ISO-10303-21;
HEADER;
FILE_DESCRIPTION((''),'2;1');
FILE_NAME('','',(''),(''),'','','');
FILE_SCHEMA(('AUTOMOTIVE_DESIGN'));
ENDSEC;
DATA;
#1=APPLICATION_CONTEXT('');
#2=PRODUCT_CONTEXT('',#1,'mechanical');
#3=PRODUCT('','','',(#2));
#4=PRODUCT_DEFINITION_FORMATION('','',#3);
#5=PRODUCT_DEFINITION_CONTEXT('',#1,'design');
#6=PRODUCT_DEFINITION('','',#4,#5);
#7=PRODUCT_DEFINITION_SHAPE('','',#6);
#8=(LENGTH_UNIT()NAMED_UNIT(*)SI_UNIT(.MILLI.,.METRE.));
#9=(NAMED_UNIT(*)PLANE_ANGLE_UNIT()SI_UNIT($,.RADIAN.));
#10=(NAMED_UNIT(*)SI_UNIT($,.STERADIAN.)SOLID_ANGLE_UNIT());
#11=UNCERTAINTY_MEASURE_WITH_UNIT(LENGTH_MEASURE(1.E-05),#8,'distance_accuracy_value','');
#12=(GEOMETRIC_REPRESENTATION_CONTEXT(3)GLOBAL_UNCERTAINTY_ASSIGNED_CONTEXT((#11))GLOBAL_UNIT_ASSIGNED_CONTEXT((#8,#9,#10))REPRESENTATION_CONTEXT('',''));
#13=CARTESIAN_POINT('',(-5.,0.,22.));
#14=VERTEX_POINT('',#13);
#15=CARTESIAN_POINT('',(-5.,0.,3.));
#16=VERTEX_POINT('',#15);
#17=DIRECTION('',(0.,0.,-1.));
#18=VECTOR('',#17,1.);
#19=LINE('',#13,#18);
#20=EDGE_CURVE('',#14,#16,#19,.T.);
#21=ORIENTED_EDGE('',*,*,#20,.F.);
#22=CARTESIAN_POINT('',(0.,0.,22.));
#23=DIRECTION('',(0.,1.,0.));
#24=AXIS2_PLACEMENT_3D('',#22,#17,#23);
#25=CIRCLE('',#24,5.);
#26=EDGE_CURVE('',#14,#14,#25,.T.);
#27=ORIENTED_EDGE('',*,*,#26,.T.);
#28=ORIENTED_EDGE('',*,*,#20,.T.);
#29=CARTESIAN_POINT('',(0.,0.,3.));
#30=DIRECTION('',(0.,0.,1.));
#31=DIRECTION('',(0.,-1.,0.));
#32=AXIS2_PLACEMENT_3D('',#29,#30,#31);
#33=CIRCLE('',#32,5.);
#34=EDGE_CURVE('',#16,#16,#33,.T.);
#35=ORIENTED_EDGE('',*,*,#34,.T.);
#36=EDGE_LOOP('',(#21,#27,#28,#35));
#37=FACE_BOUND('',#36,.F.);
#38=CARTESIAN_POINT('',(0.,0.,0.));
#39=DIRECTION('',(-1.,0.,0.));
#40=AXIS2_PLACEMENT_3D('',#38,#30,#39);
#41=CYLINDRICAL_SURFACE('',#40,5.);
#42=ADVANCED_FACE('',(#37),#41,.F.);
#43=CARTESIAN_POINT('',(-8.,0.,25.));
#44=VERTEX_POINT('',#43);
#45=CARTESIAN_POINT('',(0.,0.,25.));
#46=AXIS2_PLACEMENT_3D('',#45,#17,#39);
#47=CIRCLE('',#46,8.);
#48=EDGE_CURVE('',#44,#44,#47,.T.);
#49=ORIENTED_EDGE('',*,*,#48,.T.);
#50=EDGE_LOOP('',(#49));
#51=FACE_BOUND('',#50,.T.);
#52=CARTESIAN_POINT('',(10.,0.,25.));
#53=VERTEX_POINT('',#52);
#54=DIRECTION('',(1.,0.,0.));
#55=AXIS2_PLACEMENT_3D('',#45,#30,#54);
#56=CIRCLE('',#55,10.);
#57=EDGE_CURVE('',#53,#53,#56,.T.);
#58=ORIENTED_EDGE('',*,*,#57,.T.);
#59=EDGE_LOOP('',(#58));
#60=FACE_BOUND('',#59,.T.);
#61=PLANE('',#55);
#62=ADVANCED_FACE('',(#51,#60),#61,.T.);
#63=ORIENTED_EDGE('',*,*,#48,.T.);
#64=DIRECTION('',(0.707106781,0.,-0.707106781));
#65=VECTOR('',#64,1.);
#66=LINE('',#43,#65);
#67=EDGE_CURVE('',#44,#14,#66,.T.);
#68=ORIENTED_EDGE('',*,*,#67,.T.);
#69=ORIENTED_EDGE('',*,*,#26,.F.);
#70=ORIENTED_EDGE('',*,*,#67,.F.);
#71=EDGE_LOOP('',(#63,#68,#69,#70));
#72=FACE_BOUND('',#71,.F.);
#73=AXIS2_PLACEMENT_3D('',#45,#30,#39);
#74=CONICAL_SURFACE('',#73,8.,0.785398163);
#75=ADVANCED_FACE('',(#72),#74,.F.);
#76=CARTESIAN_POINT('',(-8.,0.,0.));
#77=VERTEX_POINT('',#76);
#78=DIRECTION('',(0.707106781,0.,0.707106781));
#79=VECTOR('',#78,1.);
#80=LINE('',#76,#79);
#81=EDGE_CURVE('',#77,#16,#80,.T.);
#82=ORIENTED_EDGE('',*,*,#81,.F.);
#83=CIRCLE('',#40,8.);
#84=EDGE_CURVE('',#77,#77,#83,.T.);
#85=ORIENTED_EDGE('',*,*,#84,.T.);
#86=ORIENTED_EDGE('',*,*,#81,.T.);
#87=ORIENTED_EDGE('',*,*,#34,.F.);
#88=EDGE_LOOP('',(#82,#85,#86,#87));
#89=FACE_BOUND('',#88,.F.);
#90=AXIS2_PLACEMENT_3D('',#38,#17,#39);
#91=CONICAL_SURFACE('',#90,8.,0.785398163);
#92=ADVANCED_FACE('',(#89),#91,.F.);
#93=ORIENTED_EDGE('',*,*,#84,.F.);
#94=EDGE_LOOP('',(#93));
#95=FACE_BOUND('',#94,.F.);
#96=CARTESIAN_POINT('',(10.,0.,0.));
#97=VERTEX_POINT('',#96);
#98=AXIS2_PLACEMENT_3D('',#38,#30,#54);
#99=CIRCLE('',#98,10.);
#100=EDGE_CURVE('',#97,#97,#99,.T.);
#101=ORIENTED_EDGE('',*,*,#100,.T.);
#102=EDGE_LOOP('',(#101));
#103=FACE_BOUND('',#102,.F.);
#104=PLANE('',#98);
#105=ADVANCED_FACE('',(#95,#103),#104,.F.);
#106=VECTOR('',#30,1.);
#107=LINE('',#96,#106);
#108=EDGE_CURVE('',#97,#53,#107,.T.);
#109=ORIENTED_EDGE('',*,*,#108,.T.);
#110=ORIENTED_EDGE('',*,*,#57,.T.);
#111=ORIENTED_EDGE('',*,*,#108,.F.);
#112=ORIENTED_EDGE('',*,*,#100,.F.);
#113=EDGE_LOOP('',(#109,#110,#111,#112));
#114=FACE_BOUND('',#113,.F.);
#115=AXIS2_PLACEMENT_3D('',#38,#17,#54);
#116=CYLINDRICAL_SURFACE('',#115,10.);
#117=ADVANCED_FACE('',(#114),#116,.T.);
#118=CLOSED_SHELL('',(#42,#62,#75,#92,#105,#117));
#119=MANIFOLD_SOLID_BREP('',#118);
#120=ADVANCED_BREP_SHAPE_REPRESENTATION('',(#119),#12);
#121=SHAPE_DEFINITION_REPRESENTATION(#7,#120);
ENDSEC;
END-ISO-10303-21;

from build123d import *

# Parameters (mm, degrees)
F0_R           = 10
F1_DEPTH       = 25
F3_D           = 10
F3_DEPTH       = 15
F3_CSINK_D     = 16
F3_CSINK_ANGLE = 90
F5_D           = 10
F5_DEPTH       = 15
F5_CSINK_D     = 16
F5_CSINK_ANGLE = 90


with BuildPart() as f1:
    # F0 (on Top) → F1 (new body)
    with BuildSketch(Plane.XY):
        Circle(F0_R)
    extrude(amount=F1_DEPTH)

    # F3
    with Locations(Plane.XY.offset(25)):
        with Locations((0, 0)):
            CounterSinkHole(F3_D / 2, F3_CSINK_D / 2, depth=F3_DEPTH, counter_sink_angle=F3_CSINK_ANGLE)

    # F5
    with Locations(Plane(origin=(0, 0, 0), x_dir=(1, 0, 0), z_dir=(0, 0, -1))):
        with Locations((0, 0)):
            CounterSinkHole(F5_D / 2, F5_CSINK_D / 2, depth=F5_DEPTH, counter_sink_angle=F5_CSINK_ANGLE)


solid = f1.part
